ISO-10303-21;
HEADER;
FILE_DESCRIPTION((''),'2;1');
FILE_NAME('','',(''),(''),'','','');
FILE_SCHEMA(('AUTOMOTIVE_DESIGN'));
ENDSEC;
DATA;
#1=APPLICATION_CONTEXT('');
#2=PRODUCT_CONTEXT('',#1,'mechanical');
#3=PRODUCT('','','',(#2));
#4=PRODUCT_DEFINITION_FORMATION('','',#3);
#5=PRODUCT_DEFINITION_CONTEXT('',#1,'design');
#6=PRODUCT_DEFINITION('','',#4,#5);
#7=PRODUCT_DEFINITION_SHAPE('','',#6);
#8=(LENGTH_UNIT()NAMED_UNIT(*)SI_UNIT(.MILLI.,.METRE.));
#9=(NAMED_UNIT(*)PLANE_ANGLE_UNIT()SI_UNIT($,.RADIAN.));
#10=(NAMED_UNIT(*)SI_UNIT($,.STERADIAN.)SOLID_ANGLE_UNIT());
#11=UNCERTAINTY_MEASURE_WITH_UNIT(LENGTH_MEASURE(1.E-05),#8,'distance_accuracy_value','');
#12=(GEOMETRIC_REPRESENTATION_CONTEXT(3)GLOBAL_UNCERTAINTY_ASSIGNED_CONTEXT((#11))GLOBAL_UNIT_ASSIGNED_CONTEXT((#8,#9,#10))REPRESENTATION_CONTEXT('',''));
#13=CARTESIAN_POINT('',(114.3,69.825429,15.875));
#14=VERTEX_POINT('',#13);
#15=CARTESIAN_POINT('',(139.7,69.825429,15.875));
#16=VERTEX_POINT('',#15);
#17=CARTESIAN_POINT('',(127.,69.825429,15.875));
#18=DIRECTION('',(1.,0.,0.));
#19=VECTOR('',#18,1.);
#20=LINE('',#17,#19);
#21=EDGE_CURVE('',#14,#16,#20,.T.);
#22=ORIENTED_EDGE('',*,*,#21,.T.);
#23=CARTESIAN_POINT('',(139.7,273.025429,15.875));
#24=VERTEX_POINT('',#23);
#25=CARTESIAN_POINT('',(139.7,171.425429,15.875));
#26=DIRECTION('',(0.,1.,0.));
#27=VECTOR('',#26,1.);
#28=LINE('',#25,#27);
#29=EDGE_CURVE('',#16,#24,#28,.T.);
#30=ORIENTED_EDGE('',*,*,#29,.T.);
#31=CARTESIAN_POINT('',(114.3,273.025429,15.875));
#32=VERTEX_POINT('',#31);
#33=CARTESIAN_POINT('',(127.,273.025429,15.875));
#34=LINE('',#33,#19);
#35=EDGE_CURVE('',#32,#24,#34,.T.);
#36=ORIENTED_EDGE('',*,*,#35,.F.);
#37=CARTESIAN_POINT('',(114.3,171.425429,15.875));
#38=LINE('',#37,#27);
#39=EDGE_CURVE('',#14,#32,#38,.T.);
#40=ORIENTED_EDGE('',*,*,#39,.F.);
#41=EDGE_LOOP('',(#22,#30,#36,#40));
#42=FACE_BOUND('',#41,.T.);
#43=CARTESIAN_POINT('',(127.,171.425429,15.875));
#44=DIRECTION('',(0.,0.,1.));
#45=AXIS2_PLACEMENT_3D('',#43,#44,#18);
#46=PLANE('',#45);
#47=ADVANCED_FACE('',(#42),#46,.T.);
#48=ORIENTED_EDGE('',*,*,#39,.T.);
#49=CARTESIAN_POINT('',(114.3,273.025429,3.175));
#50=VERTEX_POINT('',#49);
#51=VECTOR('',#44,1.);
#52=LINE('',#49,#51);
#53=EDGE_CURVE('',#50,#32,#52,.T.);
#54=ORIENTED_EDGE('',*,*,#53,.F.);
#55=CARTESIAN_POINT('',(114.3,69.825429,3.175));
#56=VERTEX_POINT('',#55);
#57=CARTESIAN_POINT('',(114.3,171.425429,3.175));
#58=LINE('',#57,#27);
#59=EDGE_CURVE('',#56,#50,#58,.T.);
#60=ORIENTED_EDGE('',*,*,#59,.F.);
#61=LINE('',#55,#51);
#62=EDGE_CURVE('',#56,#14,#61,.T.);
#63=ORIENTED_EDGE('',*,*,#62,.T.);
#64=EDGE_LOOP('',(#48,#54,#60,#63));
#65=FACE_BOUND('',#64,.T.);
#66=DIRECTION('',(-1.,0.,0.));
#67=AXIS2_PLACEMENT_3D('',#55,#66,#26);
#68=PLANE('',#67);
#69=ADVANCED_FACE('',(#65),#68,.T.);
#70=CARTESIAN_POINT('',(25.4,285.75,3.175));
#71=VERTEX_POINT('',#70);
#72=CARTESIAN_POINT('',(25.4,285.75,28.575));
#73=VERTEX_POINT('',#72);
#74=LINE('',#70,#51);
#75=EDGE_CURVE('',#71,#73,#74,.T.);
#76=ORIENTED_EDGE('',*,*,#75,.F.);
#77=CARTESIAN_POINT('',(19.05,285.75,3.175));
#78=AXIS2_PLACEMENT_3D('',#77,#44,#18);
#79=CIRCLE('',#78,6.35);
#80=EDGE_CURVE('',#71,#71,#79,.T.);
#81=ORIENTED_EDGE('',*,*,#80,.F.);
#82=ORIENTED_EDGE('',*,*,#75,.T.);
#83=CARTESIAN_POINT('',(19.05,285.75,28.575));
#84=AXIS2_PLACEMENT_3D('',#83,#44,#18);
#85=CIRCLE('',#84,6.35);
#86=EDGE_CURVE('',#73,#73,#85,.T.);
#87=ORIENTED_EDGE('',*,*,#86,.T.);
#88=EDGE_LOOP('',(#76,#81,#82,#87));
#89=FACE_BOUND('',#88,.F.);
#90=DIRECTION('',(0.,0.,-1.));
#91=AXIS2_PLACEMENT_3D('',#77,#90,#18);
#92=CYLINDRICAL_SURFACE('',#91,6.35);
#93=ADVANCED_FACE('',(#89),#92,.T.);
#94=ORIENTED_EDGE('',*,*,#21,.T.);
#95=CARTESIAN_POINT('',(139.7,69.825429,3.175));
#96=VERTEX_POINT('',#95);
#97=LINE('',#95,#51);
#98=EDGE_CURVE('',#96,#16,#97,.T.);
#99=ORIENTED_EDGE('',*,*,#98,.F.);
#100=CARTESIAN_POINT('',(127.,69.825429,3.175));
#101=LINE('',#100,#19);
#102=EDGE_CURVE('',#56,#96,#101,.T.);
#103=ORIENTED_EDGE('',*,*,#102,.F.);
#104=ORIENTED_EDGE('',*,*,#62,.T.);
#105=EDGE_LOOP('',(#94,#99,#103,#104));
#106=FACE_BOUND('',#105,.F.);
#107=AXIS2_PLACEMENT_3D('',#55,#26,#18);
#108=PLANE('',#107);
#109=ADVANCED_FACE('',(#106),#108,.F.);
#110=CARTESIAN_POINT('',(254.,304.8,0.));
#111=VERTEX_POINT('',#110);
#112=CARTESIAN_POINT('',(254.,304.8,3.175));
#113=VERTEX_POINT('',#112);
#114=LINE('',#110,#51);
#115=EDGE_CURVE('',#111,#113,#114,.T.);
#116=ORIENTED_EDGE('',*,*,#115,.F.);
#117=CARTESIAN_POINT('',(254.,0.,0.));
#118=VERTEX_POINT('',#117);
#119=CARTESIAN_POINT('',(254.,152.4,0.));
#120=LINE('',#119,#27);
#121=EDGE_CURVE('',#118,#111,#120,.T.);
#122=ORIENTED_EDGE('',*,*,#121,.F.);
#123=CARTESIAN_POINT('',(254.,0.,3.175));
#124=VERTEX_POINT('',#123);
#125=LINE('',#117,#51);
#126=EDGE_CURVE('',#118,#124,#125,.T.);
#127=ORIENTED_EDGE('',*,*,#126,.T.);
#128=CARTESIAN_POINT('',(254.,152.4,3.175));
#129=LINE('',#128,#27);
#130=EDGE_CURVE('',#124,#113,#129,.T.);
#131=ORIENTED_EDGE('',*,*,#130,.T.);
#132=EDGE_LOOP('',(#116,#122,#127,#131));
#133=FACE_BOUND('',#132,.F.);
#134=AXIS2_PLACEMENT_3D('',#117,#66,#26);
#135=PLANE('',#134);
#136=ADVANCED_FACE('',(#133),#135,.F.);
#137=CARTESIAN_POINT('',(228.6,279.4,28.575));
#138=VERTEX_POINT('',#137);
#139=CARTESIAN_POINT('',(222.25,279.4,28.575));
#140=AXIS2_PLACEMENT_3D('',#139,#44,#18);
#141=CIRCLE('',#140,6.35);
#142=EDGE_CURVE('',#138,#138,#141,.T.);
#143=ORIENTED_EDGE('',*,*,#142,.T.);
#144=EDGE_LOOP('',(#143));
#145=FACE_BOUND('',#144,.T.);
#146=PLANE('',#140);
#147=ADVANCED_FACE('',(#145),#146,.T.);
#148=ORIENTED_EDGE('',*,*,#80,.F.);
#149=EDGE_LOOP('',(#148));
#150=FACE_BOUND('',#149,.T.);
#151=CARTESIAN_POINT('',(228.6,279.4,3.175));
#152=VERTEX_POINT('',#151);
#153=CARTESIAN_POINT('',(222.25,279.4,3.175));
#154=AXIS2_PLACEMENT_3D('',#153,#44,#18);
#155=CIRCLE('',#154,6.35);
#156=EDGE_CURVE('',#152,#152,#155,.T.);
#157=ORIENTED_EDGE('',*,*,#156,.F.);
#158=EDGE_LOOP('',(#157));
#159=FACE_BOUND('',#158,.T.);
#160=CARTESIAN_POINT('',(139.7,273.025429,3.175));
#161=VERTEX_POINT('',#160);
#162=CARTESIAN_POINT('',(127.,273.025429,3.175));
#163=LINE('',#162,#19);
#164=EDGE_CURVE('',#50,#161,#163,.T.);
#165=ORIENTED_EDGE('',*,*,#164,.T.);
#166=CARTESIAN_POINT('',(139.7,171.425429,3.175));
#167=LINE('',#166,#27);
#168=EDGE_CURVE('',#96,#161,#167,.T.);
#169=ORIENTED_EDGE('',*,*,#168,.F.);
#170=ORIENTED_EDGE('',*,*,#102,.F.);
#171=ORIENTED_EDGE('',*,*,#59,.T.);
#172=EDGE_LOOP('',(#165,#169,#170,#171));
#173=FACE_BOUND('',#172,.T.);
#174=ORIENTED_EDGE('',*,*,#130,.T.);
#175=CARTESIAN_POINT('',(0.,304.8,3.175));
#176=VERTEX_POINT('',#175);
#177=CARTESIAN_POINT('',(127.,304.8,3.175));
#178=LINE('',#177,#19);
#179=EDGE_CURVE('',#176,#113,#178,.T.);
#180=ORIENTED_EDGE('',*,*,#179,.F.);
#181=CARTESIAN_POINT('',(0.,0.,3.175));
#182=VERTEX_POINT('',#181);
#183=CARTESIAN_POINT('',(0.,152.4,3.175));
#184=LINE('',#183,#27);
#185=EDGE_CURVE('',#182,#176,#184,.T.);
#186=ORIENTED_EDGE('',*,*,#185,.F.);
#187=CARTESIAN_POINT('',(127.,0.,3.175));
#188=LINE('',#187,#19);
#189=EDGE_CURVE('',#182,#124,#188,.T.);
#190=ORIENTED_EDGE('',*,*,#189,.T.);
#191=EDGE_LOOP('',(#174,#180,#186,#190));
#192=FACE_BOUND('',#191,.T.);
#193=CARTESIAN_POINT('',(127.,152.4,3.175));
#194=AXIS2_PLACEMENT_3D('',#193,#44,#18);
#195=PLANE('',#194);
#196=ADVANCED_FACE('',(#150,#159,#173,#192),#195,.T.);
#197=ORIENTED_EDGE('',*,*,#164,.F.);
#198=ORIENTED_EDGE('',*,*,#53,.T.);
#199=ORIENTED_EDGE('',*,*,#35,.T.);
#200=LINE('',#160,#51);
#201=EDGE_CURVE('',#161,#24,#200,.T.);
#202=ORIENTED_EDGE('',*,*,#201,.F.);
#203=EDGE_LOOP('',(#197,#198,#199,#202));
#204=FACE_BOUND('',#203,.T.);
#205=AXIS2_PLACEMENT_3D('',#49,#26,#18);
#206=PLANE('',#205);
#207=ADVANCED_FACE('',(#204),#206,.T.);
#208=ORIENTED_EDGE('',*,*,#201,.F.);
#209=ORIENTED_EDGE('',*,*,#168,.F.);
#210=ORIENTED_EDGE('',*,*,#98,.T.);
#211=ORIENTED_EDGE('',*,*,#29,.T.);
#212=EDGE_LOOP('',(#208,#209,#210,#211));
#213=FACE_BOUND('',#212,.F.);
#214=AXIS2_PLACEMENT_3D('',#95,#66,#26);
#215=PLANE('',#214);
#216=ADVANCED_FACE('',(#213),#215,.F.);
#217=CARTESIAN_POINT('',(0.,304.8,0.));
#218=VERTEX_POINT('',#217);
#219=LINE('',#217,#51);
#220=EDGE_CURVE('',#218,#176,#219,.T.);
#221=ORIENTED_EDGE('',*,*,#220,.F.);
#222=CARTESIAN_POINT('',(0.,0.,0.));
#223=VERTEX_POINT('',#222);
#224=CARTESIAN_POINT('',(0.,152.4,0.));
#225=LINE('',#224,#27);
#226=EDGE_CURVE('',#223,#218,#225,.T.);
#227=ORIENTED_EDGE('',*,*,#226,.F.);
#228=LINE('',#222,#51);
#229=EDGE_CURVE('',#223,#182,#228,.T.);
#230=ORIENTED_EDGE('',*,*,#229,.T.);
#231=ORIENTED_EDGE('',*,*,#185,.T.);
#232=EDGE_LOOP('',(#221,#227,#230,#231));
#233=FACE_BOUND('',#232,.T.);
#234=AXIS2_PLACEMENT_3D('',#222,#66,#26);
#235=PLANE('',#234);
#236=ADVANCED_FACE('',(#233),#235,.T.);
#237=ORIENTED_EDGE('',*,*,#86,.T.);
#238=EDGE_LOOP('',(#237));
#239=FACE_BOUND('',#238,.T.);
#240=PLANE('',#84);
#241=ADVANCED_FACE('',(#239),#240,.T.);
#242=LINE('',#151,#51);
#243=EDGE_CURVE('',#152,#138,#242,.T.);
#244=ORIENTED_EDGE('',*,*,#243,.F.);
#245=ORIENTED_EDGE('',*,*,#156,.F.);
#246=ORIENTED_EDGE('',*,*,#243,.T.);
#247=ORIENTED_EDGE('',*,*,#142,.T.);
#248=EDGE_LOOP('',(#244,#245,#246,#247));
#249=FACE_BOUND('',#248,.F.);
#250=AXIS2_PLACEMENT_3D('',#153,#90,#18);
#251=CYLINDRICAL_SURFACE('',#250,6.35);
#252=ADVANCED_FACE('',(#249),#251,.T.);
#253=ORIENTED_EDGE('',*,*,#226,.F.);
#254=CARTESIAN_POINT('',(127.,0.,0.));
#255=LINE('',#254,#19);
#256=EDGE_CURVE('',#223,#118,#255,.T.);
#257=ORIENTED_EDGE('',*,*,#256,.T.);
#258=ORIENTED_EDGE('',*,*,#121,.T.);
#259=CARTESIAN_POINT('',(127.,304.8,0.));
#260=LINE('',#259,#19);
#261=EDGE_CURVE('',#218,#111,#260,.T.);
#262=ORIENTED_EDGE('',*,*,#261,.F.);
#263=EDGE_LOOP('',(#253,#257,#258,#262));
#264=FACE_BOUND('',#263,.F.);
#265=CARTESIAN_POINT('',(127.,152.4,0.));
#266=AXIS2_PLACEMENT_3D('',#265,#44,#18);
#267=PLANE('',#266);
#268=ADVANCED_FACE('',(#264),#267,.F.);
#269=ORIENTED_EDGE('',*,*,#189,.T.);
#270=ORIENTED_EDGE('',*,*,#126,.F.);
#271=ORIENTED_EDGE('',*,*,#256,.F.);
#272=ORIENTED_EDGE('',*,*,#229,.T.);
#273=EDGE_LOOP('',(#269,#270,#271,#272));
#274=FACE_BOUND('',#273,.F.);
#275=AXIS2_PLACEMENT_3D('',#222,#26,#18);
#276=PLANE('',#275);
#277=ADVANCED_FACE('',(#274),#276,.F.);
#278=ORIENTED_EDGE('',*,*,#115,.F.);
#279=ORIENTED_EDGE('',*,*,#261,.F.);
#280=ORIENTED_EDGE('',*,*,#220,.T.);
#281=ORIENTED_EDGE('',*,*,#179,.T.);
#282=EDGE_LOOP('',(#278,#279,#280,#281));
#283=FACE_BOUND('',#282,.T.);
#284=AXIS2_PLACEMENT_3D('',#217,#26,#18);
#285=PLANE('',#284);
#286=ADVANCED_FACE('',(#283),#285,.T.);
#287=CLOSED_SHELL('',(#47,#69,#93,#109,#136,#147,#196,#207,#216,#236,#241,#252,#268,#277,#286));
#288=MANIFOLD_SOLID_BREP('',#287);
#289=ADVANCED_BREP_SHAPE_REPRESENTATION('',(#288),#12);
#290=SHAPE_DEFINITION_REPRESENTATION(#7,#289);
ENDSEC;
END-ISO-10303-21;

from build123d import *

# Parameters (mm, degrees)
F0_W     = 254
F0_H     = 304.8
F1_DEPTH = 3.175
F2_W     = 25.4
F2_H     = 203.2
F3_DEPTH = 12.7
F4_R     = 6.35
F5_DEPTH = 25.4


with BuildPart() as f1:
    # F0 (on Top) → F1 (new body)
    with BuildSketch(Plane.XY):
        with Locations((127, 152.4)):
            Rectangle(F0_W, F0_H)
    extrude(amount=F1_DEPTH)

    # F2 (on face) → F3 (join)
    with BuildSketch(Plane.XY.offset(3.175)):
        with Locations((127, 171.425429)):
            Rectangle(F2_W, F2_H)
    extrude(amount=F3_DEPTH)

    # F4 (on face) → F5 (join)
    with BuildSketch(Plane.XY.offset(3.175)):
        with Locations((222.25, 279.4)):
            Circle(F4_R)
        with Locations((19.05, 285.75)):
            Circle(F4_R)
    extrude(amount=F5_DEPTH)


solid = f1.part
